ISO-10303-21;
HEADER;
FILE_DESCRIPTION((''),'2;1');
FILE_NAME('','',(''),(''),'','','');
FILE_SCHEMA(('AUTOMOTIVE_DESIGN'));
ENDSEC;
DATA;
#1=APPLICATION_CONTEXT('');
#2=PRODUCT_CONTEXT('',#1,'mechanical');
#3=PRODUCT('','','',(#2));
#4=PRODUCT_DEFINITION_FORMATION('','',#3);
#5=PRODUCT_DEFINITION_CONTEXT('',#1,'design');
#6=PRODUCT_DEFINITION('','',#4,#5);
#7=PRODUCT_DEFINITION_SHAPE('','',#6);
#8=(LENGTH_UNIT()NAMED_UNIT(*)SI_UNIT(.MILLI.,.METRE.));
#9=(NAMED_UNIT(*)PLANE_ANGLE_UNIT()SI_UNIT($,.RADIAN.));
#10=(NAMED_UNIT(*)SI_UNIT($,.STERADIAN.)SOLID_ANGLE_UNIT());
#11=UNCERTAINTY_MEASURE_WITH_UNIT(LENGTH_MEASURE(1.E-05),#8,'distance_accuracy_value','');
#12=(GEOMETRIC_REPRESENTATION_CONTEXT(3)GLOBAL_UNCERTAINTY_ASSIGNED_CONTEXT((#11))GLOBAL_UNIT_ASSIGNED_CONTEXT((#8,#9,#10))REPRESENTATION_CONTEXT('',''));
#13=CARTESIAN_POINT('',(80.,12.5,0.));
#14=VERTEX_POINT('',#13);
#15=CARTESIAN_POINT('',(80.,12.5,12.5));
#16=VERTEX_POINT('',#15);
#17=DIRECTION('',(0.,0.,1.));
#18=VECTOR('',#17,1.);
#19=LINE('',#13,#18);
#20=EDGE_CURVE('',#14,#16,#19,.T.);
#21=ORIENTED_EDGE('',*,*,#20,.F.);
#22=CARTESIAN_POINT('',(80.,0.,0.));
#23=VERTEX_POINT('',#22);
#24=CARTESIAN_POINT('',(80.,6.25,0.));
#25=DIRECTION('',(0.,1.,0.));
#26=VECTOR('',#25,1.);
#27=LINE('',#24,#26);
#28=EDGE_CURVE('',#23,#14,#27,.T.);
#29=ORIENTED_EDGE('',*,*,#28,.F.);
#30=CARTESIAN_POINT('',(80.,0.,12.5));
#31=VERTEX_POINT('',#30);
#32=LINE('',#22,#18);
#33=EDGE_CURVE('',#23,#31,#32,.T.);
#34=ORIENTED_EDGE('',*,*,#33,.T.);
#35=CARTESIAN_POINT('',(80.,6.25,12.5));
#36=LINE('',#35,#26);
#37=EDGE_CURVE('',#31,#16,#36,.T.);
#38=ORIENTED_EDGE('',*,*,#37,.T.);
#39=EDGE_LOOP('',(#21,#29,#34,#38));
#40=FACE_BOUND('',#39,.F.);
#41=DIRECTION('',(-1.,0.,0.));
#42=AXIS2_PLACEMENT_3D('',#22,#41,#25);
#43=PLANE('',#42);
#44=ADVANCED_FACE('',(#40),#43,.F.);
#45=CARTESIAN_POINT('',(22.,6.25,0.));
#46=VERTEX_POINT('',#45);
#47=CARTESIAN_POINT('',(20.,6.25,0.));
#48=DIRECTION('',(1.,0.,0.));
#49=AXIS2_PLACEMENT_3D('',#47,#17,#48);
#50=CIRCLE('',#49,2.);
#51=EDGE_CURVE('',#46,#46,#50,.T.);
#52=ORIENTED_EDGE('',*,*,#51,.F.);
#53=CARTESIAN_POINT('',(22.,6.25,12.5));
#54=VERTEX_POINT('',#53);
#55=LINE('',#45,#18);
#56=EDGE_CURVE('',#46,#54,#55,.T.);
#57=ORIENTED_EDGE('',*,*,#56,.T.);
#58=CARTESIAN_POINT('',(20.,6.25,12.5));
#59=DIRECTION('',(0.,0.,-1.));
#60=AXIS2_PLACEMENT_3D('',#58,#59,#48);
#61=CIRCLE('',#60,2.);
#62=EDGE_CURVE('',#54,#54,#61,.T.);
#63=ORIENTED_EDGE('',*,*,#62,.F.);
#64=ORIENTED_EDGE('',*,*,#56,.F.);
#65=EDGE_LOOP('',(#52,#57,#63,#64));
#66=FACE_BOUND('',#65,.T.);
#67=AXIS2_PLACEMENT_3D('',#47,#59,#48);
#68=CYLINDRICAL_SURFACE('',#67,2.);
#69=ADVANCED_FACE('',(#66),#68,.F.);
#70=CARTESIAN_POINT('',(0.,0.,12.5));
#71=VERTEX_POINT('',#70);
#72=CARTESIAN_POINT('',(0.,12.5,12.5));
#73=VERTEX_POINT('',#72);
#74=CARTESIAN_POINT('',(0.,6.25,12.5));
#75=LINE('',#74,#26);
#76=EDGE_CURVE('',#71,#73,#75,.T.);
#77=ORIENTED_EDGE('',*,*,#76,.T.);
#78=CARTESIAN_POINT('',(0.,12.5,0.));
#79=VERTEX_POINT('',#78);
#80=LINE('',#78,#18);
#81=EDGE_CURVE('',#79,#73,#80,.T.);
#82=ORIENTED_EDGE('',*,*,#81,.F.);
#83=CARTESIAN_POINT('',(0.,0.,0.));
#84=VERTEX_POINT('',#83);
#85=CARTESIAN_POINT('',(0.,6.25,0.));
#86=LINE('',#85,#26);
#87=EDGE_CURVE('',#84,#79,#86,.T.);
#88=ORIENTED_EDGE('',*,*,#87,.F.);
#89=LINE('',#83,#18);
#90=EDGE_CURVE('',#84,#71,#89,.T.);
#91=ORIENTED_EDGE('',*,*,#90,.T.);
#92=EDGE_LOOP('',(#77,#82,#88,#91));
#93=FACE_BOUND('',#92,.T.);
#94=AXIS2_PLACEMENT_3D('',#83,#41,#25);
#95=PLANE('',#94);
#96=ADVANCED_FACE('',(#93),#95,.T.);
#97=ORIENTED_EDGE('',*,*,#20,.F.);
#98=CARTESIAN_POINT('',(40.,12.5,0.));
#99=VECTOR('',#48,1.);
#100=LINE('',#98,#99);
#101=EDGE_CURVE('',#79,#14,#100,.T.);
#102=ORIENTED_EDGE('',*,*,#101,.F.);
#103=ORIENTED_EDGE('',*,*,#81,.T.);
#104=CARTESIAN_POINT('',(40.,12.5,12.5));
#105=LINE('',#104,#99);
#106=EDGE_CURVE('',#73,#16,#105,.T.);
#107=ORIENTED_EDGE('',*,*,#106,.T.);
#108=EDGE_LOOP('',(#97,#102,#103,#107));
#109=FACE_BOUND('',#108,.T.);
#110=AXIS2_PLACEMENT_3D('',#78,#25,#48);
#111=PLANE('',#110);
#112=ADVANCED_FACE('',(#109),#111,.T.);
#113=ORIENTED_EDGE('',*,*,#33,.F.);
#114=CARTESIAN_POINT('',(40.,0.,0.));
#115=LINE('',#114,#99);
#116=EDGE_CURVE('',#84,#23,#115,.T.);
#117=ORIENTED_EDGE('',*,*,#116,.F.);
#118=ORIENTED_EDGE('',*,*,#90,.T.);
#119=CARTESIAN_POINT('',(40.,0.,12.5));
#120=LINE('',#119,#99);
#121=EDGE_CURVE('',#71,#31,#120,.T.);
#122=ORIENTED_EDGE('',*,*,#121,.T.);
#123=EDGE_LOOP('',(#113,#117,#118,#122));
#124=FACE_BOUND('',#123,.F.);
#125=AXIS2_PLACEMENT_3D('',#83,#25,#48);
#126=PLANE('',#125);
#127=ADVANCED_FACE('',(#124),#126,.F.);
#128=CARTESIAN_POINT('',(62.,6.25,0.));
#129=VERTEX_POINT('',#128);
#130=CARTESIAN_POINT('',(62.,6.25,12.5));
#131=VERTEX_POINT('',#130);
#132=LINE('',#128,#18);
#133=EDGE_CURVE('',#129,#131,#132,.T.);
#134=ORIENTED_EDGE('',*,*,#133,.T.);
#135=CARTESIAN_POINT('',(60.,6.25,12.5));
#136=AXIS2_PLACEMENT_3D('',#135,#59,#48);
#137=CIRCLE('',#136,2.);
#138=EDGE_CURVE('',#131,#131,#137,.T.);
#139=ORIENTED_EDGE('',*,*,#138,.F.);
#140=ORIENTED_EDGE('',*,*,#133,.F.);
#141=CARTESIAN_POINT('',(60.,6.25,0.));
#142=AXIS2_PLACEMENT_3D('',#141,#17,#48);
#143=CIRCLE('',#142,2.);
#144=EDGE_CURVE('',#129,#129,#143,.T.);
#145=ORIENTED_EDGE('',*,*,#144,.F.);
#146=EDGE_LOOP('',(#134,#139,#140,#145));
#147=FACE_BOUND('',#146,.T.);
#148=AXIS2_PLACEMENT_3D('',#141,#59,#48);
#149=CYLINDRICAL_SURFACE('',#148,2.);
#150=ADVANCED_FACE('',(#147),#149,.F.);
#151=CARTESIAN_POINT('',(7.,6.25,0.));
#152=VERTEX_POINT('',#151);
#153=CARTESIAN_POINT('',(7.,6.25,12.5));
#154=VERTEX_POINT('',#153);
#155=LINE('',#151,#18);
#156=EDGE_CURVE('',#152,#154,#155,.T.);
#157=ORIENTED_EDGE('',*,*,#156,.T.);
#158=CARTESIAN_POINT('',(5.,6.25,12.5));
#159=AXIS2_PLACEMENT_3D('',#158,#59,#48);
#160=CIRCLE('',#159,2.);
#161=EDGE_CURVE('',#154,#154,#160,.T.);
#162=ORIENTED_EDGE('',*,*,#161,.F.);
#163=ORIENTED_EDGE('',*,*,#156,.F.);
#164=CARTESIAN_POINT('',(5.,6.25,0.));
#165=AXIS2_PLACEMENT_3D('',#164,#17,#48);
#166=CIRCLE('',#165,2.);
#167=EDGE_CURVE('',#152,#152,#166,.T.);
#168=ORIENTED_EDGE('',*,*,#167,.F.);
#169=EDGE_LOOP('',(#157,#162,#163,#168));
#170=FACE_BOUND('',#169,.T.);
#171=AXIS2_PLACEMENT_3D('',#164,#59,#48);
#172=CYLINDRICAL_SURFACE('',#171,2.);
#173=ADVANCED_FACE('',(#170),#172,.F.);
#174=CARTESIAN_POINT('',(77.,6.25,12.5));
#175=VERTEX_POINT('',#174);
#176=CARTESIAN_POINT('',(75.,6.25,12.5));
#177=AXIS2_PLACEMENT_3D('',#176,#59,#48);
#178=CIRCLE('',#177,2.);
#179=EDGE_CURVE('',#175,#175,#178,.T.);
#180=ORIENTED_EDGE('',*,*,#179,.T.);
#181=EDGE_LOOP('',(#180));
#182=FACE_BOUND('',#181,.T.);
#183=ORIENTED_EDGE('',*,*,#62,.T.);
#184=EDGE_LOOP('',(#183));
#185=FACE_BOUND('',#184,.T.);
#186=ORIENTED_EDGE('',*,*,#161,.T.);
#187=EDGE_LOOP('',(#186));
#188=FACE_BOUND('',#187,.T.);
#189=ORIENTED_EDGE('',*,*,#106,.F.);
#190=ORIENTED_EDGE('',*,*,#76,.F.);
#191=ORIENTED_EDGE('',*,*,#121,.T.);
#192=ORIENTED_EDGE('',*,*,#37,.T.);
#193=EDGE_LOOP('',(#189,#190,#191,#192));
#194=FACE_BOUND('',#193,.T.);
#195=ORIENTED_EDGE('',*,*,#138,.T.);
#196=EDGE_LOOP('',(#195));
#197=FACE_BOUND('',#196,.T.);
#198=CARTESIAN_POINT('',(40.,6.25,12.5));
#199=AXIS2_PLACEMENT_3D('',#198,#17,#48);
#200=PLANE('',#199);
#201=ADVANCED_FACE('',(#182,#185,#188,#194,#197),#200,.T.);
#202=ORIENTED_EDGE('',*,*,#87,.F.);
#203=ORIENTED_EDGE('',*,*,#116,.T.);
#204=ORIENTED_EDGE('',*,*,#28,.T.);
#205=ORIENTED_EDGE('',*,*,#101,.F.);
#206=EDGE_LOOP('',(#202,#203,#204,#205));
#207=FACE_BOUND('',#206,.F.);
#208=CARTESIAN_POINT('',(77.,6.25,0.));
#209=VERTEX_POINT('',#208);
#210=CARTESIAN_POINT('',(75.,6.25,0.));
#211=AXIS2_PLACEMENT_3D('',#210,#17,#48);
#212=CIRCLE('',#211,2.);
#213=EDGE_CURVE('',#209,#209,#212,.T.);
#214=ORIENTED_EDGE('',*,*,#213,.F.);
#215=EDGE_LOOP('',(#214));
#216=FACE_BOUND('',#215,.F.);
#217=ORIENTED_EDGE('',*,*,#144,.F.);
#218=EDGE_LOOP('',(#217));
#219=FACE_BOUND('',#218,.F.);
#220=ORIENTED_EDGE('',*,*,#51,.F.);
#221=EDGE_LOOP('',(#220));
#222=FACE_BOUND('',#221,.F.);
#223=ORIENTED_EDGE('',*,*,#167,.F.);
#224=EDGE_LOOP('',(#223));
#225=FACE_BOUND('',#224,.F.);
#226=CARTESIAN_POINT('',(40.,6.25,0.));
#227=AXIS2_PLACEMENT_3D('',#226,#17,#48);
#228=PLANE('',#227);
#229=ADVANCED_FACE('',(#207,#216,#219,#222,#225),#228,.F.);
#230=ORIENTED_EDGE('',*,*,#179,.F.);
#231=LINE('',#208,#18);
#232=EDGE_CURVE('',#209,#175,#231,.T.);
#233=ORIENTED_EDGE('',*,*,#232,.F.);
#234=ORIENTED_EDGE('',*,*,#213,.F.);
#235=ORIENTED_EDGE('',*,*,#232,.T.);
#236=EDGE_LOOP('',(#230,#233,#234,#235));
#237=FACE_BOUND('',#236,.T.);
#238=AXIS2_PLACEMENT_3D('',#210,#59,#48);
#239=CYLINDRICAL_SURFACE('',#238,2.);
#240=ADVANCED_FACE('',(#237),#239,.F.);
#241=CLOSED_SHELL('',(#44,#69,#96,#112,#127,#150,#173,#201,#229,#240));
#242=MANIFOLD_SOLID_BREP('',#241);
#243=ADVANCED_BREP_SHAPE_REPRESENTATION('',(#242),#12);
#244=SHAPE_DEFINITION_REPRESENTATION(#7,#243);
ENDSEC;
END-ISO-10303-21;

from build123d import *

# Parameters (mm, degrees)
CYLINDER001_R     = 2
CYLINDER001_DEPTH = 13
CYLINDER002_R     = 2
CYLINDER002_DEPTH = 13
CYLINDER003_R     = 2
CYLINDER003_DEPTH = 13
CYLINDER_R        = 2
CYLINDER_DEPTH    = 13
BOX_W             = 80
BOX_H             = 12.5
BOX_DEPTH         = 12.5


with BuildPart() as cylinder001:
    # Cylinder001 → Cylinder001 (new body)
    with BuildSketch(Plane(origin=(20, 6.25, 0), x_dir=(1, 0, 0), z_dir=(0, 0, 1))):
        Circle(CYLINDER001_R)
    extrude(amount=CYLINDER001_DEPTH)


with BuildPart() as cylinder002:
    # Cylinder002 → Cylinder002 (new body)
    with BuildSketch(Plane(origin=(75, 6.25, 0), x_dir=(1, 0, 0), z_dir=(0, 0, 1))):
        Circle(CYLINDER002_R)
    extrude(amount=CYLINDER002_DEPTH)


with BuildPart() as cylinder003:
    # Cylinder003 → Cylinder003 (new body)
    with BuildSketch(Plane(origin=(60, 6.25, 0), x_dir=(1, 0, 0), z_dir=(0, 0, 1))):
        Circle(CYLINDER003_R)
    extrude(amount=CYLINDER003_DEPTH)


with BuildPart() as agujeroseje:
    # Cylinder → Cylinder (new body)
    with BuildSketch(Plane(origin=(5, 6.25, 0), x_dir=(1, 0, 0), z_dir=(0, 0, 1))):
        Circle(CYLINDER_R)
    extrude(amount=CYLINDER_DEPTH)

    # Compound: union Cylinder001, Cylinder002, Cylinder003
    add(cylinder001.part)
    add(cylinder002.part)
    add(cylinder003.part)


with BuildPart() as eje:
    # Box → Box (new body)
    with BuildSketch(Plane.XY):
        with Locations((40, 6.25)):
            Rectangle(BOX_W, BOX_H)
    extrude(amount=BOX_DEPTH)

    # Cut: cut AgujerosEje
    add(agujeroseje.part, mode=Mode.SUBTRACT)


solid = eje.part
